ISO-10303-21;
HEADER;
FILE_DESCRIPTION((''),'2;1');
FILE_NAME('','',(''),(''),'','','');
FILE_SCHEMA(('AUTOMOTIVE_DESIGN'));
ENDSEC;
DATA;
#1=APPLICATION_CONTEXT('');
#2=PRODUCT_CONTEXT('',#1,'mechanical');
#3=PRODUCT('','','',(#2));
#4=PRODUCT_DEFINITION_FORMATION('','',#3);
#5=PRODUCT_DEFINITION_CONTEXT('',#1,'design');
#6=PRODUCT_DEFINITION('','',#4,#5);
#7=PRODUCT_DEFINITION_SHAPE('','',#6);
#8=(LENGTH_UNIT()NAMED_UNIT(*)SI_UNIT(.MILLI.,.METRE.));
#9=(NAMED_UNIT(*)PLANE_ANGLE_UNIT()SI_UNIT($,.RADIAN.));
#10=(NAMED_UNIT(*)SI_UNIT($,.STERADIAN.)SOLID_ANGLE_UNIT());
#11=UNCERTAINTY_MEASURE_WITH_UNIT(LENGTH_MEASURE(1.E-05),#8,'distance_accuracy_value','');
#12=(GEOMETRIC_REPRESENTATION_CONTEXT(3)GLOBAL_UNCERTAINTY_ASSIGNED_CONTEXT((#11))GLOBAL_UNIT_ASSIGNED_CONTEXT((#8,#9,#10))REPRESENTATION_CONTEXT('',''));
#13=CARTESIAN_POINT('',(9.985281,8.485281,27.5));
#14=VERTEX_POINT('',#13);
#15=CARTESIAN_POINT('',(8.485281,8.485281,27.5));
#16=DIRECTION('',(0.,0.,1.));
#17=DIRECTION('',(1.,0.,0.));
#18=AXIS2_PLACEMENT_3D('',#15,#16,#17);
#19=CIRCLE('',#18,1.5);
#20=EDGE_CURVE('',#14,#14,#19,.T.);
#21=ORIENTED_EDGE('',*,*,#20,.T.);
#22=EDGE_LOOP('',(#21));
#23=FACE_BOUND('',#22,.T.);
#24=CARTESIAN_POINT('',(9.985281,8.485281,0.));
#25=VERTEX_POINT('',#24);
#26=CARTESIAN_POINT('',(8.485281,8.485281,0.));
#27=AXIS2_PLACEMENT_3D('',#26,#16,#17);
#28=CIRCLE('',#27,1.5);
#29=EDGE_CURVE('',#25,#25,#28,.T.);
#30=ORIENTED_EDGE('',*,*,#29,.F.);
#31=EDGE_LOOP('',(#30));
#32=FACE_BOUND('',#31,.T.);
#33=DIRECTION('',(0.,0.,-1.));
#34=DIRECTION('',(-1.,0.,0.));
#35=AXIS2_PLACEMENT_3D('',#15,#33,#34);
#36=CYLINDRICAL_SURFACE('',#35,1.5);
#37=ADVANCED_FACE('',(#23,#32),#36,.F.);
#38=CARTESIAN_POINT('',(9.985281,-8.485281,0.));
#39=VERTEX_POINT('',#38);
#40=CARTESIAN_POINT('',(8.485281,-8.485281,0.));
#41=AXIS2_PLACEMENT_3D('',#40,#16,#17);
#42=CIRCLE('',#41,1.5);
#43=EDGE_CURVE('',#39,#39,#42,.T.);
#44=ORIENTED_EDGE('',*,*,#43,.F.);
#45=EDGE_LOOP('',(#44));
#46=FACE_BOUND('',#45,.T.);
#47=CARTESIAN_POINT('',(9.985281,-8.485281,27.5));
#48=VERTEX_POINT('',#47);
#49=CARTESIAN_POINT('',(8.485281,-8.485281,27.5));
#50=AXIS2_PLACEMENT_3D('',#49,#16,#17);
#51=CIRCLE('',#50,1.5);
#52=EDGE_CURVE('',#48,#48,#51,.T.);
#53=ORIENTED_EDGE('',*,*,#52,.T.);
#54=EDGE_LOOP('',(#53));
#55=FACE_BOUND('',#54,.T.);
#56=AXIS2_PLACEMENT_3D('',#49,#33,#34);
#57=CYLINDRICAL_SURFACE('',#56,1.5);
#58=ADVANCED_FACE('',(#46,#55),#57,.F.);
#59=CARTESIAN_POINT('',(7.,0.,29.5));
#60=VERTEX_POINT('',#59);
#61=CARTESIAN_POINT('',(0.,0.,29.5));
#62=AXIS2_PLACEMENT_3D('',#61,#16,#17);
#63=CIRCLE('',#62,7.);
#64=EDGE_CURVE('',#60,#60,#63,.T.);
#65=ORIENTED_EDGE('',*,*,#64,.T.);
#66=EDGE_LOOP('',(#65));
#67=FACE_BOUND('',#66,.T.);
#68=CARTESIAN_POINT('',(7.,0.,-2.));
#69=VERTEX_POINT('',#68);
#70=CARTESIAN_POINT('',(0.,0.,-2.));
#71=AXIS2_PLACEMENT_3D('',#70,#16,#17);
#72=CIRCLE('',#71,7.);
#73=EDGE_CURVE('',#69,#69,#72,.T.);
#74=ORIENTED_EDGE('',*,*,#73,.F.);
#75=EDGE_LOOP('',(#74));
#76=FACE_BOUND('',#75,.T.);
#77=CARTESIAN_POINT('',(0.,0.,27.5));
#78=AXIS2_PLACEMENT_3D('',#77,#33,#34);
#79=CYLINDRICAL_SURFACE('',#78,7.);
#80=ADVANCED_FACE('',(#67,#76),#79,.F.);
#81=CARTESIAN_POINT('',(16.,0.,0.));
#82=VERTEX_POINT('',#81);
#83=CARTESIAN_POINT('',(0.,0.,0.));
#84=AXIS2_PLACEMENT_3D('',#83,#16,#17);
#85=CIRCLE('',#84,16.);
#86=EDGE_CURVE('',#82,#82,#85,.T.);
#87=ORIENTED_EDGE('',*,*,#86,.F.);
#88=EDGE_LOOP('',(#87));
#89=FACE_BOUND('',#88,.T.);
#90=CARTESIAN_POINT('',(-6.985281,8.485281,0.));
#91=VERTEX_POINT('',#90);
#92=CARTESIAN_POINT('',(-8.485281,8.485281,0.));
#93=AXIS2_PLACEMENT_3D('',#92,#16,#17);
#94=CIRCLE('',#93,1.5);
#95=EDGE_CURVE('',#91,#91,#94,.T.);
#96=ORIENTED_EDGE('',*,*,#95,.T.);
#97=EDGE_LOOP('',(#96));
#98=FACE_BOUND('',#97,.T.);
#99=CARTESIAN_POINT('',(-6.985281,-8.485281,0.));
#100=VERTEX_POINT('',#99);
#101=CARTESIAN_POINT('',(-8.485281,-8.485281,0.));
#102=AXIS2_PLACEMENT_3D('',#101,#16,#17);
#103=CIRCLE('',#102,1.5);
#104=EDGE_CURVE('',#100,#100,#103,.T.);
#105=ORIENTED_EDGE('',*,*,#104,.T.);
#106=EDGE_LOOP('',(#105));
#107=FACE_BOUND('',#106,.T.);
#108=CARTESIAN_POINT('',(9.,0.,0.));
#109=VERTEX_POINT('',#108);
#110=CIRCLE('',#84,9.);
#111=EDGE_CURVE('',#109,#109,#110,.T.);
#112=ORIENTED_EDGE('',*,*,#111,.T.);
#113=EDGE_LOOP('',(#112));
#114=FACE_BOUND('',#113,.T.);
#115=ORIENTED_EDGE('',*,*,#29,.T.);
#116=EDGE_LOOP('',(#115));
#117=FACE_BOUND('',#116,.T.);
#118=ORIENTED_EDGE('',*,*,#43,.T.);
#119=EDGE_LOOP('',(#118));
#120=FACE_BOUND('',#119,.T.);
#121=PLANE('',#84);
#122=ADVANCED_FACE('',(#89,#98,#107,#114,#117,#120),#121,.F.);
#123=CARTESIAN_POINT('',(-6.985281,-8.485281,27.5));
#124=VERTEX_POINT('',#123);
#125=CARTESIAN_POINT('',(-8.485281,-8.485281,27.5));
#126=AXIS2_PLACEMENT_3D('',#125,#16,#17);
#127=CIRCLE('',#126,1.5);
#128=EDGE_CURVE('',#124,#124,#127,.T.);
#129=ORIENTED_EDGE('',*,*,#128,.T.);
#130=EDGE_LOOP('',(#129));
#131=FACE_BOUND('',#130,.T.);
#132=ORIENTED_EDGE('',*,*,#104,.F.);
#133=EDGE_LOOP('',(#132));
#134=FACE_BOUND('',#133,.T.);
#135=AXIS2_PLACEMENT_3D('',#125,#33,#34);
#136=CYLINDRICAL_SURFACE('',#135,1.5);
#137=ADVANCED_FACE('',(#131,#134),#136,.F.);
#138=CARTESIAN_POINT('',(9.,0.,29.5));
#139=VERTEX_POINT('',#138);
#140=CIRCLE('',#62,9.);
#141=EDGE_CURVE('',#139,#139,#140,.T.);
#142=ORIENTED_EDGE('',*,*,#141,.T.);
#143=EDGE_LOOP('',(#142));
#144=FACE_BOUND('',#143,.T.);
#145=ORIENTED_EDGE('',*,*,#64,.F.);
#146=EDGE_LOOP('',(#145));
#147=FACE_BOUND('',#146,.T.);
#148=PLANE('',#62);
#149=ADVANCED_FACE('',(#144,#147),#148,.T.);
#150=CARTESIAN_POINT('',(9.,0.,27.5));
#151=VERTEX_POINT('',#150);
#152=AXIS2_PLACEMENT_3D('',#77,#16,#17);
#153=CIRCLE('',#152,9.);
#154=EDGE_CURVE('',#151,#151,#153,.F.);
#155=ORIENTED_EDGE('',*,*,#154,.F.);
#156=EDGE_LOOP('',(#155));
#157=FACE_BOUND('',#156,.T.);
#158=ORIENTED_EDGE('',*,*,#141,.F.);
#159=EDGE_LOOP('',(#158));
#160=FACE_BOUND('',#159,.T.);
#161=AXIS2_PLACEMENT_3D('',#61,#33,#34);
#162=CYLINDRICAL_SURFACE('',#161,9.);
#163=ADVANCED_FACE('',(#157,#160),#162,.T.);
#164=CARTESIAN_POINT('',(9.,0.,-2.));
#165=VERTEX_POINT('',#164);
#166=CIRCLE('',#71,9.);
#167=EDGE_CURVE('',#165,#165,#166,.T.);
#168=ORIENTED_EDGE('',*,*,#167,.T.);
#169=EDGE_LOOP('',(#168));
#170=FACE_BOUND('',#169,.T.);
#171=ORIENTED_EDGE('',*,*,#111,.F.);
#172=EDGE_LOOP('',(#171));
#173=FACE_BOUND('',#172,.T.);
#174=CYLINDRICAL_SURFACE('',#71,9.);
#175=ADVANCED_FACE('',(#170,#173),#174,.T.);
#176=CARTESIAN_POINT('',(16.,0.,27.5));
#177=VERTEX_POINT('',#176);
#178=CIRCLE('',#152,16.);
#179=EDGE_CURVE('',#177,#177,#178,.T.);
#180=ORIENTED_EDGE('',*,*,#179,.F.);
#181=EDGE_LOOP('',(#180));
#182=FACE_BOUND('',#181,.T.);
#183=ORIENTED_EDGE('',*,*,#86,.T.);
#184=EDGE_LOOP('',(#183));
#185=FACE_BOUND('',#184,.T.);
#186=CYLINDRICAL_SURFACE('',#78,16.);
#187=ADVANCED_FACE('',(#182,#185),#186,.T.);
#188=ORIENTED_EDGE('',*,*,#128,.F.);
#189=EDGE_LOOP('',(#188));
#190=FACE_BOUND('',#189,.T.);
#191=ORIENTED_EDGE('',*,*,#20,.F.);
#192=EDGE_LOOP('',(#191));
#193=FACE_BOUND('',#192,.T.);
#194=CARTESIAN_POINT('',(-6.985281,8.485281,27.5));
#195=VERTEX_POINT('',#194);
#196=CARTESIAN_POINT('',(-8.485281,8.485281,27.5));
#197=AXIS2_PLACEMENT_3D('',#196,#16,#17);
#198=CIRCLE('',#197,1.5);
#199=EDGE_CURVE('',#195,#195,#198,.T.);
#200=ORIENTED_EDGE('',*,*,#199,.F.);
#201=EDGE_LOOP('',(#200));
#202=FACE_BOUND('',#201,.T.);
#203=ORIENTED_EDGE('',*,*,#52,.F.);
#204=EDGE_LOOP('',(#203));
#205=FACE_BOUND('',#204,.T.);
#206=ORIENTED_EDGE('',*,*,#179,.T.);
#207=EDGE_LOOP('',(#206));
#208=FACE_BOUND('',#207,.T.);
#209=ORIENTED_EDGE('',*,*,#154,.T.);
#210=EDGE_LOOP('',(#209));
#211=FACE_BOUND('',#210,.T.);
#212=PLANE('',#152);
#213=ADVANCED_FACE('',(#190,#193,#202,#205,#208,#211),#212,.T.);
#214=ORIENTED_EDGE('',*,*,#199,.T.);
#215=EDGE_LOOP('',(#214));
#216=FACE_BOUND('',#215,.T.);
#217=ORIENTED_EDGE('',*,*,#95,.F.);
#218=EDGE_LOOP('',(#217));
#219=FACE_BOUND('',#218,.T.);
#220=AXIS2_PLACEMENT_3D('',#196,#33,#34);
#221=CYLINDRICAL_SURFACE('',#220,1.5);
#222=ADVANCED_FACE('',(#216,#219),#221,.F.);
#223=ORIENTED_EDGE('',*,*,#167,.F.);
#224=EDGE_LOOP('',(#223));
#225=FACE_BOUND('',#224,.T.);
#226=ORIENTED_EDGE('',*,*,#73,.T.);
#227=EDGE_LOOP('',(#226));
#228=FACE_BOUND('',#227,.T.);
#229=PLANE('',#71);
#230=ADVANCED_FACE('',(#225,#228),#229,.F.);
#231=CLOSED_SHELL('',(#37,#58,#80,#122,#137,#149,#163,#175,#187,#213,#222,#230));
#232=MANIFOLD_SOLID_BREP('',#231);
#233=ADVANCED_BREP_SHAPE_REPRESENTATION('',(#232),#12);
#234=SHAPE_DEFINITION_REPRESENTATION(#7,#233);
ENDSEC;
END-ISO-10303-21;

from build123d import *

# Parameters (mm, degrees)
SKETCH1_R           = 16
SKETCH1_R_2         = 7
SKETCH1_R_3         = 1.5
BOSS_EXTRUDE1_DEPTH = 27.5
SKETCH1_3_R         = 9
SKETCH1_3_R_2       = 7
BOSS_EXTRUDE2_DEPTH = 29.5
BOSS_EXTRUDE3_START = -2
SKETCH1_4_R         = 9
SKETCH1_4_R_2       = 7
BOSS_EXTRUDE3_DEPTH = 2


with BuildPart() as part:
    # Sketch1 → Boss-Extrude1 (new body)
    with BuildSketch(Plane.XY):
        Circle(SKETCH1_R)
        Circle(SKETCH1_R_2, mode=Mode.SUBTRACT)
        with Locations((-8.485281374, -8.485281374)):
            Circle(SKETCH1_R_3, mode=Mode.SUBTRACT)
        with Locations((8.485281374, -8.485281374)):
            Circle(SKETCH1_R_3, mode=Mode.SUBTRACT)
        with Locations((-8.485281374, 8.485281374)):
            Circle(SKETCH1_R_3, mode=Mode.SUBTRACT)
        with Locations((8.485281374, 8.485281374)):
            Circle(SKETCH1_R_3, mode=Mode.SUBTRACT)
    extrude(amount=BOSS_EXTRUDE1_DEPTH)

    # Sketch1<3> → Boss-Extrude2 (add)
    with BuildSketch(Plane.XY):
        Circle(SKETCH1_3_R)
        Circle(SKETCH1_3_R_2, mode=Mode.SUBTRACT)
    extrude(amount=BOSS_EXTRUDE2_DEPTH)

    # Sketch1<4> → Boss-Extrude3 (add)
    with BuildSketch(Plane.XY.offset(BOSS_EXTRUDE3_START)):
        Circle(SKETCH1_4_R)
        Circle(SKETCH1_4_R_2, mode=Mode.SUBTRACT)
    extrude(amount=BOSS_EXTRUDE3_DEPTH)


solid = part.part
